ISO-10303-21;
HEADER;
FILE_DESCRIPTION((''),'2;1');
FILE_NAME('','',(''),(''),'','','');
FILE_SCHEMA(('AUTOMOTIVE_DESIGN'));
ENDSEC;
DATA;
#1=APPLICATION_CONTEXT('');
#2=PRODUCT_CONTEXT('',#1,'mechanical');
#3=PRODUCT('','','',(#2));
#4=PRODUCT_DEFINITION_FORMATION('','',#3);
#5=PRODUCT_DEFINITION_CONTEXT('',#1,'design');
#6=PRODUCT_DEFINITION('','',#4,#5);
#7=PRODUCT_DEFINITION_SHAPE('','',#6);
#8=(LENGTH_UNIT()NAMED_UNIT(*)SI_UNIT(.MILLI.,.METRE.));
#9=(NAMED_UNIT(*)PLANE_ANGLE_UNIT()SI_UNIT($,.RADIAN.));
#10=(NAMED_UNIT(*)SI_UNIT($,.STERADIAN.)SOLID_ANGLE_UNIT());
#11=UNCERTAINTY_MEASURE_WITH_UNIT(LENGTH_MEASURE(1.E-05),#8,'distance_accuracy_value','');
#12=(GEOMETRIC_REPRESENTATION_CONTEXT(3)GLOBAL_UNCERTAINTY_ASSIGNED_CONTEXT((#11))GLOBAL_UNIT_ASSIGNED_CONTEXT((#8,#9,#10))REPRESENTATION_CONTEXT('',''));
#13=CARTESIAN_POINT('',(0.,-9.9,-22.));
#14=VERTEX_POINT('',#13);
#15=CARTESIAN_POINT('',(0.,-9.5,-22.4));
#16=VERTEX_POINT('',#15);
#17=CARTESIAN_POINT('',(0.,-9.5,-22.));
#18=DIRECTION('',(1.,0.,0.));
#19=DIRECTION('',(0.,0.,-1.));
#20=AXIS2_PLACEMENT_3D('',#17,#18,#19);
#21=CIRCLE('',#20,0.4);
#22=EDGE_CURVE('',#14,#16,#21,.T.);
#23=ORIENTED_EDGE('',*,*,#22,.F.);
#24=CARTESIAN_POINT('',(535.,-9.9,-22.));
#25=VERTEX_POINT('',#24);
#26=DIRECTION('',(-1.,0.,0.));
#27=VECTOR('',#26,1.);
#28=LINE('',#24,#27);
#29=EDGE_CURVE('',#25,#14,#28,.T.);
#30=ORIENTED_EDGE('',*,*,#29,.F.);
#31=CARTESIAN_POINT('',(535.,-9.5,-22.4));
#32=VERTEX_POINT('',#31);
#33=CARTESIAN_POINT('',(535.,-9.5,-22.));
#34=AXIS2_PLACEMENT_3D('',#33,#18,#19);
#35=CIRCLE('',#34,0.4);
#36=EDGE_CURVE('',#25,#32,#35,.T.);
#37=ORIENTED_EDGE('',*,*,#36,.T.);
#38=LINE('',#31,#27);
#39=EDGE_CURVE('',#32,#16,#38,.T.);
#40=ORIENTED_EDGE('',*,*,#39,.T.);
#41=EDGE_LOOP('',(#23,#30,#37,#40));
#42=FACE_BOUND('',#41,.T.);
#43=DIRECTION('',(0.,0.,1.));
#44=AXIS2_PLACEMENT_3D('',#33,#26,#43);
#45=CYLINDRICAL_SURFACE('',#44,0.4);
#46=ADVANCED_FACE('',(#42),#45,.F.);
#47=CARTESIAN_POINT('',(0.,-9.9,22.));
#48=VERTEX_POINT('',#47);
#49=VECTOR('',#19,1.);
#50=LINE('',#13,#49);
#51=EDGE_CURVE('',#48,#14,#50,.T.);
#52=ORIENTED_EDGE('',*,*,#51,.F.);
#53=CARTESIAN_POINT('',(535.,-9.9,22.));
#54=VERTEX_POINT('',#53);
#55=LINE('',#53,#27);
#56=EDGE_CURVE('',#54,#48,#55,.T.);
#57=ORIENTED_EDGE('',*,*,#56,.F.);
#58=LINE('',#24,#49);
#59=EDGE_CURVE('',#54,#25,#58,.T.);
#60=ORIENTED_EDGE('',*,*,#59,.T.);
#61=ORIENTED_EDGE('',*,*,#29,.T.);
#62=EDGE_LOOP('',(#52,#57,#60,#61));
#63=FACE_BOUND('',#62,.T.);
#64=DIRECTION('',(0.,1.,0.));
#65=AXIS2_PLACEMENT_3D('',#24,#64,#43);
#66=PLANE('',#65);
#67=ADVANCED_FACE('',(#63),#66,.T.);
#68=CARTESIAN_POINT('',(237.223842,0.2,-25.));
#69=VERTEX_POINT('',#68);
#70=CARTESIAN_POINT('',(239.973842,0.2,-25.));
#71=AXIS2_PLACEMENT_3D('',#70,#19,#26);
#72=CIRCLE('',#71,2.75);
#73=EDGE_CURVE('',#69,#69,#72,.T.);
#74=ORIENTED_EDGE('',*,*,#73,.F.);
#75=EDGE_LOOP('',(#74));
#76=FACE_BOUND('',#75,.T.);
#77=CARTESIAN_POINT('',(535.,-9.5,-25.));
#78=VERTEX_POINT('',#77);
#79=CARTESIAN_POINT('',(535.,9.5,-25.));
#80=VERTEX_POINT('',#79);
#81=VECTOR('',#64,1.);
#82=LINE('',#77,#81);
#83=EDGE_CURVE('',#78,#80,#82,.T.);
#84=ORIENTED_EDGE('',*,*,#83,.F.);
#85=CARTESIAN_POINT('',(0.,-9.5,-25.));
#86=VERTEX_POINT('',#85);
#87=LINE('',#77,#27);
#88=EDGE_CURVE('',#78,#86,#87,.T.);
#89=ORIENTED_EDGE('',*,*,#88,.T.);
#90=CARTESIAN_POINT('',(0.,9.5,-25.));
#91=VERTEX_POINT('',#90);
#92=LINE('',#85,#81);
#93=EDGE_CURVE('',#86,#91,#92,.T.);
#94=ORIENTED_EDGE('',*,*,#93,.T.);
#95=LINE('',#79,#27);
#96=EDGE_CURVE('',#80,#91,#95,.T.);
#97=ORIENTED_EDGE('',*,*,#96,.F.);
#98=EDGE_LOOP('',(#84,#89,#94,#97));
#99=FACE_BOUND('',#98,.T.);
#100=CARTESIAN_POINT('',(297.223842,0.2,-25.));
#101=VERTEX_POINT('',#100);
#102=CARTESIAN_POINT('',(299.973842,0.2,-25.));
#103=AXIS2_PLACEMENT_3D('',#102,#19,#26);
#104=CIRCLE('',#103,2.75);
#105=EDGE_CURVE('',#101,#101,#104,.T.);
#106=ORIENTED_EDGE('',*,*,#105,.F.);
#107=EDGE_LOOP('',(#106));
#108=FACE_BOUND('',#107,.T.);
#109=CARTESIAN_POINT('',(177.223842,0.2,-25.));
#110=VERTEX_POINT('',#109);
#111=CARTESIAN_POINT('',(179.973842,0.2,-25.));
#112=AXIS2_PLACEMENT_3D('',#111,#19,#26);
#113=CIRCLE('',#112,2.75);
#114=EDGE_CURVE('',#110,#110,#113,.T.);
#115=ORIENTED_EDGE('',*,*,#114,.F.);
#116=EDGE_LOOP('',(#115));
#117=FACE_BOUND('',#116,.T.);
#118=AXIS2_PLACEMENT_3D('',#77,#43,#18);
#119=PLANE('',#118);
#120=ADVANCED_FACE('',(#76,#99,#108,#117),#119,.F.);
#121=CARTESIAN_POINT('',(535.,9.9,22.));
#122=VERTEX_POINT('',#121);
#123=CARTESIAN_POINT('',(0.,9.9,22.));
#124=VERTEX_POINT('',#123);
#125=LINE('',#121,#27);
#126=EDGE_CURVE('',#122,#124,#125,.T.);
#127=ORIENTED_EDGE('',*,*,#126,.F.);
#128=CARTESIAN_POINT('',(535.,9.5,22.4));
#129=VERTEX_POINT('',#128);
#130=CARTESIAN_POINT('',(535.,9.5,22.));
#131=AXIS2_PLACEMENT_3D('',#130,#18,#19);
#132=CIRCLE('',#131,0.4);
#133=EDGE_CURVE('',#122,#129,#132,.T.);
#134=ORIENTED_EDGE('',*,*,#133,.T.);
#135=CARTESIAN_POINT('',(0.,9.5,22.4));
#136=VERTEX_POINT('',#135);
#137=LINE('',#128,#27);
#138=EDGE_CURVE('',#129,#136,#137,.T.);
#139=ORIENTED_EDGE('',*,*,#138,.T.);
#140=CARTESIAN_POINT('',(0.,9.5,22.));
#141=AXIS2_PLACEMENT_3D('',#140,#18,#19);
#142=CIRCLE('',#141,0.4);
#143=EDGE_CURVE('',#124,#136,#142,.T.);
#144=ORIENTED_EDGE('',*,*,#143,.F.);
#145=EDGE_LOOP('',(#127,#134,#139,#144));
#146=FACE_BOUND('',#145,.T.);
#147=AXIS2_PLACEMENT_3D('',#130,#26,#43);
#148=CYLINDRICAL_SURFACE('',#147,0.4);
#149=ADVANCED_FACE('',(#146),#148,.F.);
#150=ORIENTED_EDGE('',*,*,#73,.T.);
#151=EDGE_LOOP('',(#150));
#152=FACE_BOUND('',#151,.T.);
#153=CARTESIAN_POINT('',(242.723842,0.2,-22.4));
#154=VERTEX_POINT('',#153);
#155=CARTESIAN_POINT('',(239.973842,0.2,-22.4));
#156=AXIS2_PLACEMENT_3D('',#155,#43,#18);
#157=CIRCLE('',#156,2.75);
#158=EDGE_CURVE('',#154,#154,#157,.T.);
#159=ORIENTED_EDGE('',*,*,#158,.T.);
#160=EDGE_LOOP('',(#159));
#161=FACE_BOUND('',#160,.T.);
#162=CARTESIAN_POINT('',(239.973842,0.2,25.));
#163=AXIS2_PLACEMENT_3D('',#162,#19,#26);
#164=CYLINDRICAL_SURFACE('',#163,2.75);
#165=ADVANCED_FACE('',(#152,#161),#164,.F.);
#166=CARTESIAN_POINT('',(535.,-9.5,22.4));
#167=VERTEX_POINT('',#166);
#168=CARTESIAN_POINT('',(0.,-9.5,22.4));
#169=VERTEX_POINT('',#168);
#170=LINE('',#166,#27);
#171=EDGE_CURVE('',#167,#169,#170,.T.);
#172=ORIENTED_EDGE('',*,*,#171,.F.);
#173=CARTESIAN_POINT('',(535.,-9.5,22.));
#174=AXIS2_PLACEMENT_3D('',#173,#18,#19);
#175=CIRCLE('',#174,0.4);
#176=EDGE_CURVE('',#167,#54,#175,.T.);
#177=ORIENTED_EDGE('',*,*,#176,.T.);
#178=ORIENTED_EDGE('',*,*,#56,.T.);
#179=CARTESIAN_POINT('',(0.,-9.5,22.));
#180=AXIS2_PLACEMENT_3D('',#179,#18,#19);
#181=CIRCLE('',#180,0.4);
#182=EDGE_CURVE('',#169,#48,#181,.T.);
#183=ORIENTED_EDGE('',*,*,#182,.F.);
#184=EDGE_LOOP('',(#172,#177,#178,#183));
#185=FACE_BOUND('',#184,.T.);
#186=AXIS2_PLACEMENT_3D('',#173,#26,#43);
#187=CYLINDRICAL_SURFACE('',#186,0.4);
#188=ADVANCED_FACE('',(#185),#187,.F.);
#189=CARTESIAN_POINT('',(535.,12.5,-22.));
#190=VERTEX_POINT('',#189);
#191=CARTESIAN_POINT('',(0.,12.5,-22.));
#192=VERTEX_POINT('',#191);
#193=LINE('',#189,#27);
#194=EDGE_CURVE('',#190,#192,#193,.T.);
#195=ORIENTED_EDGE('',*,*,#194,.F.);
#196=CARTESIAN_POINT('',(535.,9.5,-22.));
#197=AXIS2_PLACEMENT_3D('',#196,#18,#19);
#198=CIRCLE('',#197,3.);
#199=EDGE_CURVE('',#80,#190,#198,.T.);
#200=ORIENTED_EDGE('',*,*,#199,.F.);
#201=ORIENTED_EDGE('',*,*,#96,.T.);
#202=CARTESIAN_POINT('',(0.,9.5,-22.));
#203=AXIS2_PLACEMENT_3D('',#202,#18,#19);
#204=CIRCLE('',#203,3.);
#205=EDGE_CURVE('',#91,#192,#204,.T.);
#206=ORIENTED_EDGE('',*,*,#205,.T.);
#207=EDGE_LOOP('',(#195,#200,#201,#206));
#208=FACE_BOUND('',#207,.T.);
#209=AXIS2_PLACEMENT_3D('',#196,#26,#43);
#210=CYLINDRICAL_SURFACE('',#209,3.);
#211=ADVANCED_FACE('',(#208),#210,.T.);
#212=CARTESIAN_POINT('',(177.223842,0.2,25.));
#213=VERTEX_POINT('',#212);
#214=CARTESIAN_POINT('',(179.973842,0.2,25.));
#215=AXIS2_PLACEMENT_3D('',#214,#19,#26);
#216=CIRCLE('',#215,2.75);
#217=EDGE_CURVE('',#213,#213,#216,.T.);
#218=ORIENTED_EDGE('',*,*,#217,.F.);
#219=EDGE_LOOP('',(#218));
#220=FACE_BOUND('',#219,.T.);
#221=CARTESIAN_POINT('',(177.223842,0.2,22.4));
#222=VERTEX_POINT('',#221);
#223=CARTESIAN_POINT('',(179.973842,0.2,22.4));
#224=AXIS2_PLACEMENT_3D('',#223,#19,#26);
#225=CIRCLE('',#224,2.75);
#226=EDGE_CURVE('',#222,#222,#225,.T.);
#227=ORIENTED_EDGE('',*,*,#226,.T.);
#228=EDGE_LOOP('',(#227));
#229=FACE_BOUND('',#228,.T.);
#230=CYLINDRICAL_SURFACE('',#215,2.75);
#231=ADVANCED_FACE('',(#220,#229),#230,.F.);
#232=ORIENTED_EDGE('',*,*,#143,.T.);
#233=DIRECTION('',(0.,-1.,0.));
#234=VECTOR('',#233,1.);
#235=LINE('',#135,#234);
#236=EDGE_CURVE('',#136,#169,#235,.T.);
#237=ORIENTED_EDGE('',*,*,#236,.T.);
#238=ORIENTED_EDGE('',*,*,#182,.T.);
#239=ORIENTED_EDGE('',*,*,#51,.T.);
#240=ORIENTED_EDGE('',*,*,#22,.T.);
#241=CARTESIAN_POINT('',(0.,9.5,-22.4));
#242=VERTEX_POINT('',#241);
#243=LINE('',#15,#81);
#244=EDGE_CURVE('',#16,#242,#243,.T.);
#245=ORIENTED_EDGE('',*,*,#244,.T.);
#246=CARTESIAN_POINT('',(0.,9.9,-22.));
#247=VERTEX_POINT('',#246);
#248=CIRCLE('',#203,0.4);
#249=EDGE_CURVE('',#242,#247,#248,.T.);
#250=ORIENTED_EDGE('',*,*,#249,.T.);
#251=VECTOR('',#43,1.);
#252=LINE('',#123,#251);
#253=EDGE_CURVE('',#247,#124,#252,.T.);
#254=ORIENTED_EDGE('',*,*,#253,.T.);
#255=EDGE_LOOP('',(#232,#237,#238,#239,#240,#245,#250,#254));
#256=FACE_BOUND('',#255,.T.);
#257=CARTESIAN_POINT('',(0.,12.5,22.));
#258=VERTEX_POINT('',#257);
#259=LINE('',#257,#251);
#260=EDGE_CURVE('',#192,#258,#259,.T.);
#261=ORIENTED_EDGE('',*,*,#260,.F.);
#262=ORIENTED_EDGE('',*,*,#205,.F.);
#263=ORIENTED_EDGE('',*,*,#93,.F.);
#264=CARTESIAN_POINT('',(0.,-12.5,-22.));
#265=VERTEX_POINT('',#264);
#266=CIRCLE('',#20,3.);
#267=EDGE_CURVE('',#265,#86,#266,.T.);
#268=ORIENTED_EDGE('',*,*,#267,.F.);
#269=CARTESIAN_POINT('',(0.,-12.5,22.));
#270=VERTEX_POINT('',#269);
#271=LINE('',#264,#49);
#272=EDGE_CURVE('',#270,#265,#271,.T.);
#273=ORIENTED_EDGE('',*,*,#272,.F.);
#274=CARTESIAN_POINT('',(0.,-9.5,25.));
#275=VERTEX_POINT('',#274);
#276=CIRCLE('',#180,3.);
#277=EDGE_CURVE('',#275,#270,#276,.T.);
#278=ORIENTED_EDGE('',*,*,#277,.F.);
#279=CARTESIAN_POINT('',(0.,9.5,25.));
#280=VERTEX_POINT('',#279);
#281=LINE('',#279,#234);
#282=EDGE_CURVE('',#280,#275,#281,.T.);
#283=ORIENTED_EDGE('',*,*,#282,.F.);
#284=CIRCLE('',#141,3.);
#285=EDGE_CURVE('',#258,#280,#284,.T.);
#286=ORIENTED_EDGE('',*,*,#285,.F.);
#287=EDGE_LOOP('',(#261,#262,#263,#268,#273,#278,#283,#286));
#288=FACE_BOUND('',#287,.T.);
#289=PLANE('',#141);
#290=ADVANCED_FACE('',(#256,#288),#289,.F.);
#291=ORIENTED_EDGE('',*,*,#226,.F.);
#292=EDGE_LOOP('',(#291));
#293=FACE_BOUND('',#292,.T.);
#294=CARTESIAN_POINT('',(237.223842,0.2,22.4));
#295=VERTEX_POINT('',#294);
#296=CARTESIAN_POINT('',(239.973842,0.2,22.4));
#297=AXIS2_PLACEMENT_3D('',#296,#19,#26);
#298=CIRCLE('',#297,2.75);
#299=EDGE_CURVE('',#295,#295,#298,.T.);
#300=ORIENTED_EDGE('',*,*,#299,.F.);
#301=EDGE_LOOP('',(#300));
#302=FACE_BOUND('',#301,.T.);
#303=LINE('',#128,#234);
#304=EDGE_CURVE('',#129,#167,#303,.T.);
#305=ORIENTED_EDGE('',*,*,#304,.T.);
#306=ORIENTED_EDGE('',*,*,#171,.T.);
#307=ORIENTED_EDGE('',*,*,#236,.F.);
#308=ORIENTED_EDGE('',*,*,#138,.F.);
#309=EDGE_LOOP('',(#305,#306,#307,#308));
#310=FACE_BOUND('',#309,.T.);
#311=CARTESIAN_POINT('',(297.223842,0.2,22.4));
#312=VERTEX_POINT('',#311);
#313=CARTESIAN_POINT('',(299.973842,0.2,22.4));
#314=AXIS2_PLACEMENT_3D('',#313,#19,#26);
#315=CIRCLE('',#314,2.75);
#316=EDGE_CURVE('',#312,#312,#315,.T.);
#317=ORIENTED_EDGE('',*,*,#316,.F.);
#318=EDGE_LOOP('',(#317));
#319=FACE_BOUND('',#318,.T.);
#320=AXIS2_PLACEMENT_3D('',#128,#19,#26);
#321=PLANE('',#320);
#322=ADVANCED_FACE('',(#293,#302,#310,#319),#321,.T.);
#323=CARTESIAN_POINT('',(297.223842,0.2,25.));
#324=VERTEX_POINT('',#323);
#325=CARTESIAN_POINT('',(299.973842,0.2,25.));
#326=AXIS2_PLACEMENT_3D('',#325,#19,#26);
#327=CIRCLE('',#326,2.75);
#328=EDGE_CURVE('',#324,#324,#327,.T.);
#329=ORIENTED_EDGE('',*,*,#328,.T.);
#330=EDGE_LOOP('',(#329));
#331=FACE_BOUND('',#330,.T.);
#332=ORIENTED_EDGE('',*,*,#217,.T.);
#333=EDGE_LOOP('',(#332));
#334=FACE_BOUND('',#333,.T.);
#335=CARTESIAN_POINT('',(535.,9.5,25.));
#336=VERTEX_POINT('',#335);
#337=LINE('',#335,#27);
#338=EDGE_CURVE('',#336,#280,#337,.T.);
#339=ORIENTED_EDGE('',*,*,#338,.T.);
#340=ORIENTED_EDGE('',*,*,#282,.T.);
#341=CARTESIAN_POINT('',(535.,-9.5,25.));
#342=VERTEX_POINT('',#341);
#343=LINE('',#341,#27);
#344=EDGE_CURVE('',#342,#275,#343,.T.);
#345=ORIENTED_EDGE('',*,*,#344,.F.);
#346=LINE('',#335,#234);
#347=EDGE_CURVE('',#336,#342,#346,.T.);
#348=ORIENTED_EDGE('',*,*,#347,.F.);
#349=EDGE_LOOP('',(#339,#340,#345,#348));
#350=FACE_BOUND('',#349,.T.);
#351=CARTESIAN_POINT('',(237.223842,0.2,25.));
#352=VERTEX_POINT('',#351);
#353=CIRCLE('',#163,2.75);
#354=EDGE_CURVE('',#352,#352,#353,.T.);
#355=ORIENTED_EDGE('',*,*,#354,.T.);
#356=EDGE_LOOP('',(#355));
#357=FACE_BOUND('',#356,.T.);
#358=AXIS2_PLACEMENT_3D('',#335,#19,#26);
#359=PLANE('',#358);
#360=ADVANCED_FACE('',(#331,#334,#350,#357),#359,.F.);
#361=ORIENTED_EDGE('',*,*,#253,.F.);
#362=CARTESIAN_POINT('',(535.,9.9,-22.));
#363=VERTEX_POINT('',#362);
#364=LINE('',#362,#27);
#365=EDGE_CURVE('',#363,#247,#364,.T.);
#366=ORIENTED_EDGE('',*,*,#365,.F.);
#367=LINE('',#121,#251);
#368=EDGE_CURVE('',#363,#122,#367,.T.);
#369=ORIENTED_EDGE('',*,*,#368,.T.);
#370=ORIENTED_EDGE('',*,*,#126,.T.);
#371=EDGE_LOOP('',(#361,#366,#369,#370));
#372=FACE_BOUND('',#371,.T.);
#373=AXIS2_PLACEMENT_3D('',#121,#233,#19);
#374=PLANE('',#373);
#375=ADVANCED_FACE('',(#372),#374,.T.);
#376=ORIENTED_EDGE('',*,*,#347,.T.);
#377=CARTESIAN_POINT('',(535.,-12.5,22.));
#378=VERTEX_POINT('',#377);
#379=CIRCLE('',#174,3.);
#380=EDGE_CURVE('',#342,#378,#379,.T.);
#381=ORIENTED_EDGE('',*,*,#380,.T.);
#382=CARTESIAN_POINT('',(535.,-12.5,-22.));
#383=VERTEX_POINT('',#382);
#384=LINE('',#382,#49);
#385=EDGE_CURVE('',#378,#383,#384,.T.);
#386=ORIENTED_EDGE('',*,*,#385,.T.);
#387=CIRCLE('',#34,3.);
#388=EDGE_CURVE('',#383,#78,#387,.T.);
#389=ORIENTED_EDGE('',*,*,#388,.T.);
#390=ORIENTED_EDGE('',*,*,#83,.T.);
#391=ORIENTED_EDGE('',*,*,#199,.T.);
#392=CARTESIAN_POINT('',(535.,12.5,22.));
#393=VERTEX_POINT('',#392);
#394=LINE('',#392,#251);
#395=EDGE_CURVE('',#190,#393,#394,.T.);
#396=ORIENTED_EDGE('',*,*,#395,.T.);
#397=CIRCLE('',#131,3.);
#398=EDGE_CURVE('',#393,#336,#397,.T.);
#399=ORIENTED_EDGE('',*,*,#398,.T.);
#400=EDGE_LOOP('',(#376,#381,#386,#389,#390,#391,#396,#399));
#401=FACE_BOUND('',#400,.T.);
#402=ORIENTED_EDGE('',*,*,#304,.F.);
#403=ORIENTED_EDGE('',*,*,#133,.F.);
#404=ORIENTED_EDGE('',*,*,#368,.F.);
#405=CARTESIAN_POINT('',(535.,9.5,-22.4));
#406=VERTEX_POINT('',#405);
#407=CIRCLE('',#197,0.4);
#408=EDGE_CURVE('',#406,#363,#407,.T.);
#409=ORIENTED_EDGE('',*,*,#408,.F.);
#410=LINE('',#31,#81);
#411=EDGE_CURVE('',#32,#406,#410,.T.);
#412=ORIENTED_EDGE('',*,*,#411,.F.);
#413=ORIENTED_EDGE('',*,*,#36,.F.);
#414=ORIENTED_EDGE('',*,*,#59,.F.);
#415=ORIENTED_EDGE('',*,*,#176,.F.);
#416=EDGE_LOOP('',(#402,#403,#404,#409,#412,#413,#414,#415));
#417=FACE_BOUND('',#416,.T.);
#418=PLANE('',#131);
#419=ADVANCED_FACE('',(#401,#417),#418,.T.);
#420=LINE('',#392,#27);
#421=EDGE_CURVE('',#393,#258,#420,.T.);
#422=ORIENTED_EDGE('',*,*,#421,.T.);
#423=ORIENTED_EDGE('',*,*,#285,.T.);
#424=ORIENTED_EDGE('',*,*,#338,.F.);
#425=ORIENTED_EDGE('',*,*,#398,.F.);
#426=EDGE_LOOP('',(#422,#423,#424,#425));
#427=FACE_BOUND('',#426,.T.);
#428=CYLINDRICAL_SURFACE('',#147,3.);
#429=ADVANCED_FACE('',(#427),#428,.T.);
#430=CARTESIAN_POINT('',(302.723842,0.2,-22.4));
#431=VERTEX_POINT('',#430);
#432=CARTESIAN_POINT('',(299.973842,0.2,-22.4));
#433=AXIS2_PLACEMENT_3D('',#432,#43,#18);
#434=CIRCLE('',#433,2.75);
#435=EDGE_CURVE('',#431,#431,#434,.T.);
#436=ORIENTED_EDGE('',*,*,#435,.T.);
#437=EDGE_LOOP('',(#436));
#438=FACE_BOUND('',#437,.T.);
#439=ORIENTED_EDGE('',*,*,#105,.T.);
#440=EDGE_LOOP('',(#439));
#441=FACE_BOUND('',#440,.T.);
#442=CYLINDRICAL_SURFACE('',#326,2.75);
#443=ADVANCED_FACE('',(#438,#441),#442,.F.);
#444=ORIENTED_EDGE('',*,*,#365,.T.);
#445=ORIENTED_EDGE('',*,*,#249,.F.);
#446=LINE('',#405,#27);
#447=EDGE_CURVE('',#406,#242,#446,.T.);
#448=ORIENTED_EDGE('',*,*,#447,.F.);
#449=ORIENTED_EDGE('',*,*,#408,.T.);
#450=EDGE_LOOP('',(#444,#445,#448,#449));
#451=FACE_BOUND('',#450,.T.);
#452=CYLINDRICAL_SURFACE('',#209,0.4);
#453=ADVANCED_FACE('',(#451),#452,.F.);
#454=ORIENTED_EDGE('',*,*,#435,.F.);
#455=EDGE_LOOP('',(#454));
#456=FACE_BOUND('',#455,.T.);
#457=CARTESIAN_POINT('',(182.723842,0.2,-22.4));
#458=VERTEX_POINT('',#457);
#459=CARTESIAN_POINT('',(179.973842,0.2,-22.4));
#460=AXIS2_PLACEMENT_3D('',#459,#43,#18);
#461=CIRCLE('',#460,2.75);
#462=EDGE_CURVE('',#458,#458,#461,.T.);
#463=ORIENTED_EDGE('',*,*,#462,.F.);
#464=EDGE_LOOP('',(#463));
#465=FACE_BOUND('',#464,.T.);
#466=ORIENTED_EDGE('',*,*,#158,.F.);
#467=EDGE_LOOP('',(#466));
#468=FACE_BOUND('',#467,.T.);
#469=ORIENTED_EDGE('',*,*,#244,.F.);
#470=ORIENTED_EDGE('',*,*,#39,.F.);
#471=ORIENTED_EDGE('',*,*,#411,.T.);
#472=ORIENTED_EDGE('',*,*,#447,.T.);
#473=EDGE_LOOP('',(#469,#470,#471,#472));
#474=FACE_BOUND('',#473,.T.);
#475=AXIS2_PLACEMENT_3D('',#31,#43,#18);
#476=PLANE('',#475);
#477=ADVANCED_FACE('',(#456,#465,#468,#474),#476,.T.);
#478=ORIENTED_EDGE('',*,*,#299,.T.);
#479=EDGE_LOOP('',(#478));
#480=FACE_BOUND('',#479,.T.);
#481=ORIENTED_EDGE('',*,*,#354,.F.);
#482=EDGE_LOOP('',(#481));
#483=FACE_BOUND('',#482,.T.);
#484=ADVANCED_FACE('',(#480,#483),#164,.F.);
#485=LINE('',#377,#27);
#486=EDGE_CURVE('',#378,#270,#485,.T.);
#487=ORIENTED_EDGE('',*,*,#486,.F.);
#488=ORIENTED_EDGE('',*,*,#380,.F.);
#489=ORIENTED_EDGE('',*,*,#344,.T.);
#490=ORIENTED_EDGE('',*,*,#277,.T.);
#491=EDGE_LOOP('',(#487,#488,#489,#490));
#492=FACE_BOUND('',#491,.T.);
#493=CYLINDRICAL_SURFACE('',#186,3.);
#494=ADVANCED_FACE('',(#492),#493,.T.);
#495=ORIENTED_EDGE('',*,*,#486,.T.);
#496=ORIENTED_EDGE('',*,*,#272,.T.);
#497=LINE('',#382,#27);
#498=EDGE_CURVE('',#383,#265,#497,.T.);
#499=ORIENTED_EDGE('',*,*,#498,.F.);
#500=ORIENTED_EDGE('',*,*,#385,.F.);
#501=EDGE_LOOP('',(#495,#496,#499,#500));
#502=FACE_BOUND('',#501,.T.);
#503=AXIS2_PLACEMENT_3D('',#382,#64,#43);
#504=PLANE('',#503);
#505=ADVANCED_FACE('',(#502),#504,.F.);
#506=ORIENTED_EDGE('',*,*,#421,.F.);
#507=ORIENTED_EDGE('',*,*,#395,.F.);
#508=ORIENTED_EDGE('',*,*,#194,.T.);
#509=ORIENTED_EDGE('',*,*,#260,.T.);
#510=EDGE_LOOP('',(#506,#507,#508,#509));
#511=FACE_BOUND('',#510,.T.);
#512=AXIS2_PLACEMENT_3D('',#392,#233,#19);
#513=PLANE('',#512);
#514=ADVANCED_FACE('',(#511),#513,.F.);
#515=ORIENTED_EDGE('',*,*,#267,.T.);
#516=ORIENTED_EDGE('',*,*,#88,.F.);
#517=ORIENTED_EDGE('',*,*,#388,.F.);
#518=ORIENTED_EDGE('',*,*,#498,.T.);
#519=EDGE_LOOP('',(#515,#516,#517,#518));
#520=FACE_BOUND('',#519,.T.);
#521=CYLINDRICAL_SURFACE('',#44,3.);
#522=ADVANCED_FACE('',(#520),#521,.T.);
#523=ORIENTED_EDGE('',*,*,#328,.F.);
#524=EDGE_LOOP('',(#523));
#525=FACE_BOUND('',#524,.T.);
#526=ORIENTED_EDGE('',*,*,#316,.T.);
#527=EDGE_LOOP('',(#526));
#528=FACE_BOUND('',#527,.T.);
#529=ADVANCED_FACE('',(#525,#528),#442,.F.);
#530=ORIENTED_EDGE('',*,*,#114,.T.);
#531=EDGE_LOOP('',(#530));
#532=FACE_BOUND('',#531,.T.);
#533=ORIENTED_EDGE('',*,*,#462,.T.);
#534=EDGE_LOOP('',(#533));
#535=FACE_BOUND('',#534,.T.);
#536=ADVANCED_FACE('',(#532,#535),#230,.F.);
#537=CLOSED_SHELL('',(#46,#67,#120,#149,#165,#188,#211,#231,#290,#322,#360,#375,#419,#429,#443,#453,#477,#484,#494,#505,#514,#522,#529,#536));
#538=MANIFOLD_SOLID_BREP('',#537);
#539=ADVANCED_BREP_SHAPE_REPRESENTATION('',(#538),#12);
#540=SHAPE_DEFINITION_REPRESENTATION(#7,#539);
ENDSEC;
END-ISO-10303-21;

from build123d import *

# Parameters (mm, degrees)
TUBO_RETANGULAR_50_X_30_X_2_6_1_DEPTH = 535
ESBO_O2_R                             = 2.75
CORTE_EXTRUS_O1_DEPTH                 = 538.476743683


with BuildPart() as part:
    # Sketch1 → Tubo retangular 50 X 30 X 2.6(1) (new body)
    with BuildSketch(Plane.YZ):
        with BuildLine():
            Line((-9.5, -25), (9.5, -25))
            ThreePointArc((9.5, -25), (11.621320344, -24.121320344), (12.5, -22))
            Line((12.5, -22), (12.5, 22))
            ThreePointArc((12.5, 22), (11.621320344, 24.121320344), (9.5, 25))
            Line((9.5, 25), (-9.5, 25))
            ThreePointArc((-9.5, 25), (-11.621320344, 24.121320344), (-12.5, 22))
            Line((-12.5, 22), (-12.5, -22))
            ThreePointArc((-12.5, -22), (-11.621320344, -24.121320344), (-9.5, -25))
        make_face()
        with BuildLine():
            Line((-9.5, -22.4), (9.5, -22.4))
            ThreePointArc((9.5, -22.4), (9.782842712, -22.282842712), (9.9, -22))
            Line((9.9, -22), (9.9, 22))
            ThreePointArc((9.9, 22), (9.782842712, 22.282842712), (9.5, 22.4))
            Line((9.5, 22.4), (-9.5, 22.4))
            ThreePointArc((-9.5, 22.4), (-9.782842712, 22.282842712), (-9.9, 22))
            Line((-9.9, 22), (-9.9, -22))
            ThreePointArc((-9.9, -22), (-9.782842712, -22.282842712), (-9.5, -22.4))
        make_face(mode=Mode.SUBTRACT)
    extrude(amount=TUBO_RETANGULAR_50_X_30_X_2_6_1_DEPTH)

    # Esboço2 → Corte-extrusão1 (cut, through all)
    with BuildSketch(Plane(origin=(0, 0, -25), x_dir=(-1, 0, 0), z_dir=(0, 0, -1))):
        with Locations((-179.973841655, 0.2)):
            Circle(ESBO_O2_R)
        with Locations((-239.973841655, 0.2)):
            Circle(ESBO_O2_R)
        with Locations((-299.973841655, 0.2)):
            Circle(ESBO_O2_R)
    extrude(amount=-CORTE_EXTRUS_O1_DEPTH, mode=Mode.SUBTRACT)


solid = part.part
